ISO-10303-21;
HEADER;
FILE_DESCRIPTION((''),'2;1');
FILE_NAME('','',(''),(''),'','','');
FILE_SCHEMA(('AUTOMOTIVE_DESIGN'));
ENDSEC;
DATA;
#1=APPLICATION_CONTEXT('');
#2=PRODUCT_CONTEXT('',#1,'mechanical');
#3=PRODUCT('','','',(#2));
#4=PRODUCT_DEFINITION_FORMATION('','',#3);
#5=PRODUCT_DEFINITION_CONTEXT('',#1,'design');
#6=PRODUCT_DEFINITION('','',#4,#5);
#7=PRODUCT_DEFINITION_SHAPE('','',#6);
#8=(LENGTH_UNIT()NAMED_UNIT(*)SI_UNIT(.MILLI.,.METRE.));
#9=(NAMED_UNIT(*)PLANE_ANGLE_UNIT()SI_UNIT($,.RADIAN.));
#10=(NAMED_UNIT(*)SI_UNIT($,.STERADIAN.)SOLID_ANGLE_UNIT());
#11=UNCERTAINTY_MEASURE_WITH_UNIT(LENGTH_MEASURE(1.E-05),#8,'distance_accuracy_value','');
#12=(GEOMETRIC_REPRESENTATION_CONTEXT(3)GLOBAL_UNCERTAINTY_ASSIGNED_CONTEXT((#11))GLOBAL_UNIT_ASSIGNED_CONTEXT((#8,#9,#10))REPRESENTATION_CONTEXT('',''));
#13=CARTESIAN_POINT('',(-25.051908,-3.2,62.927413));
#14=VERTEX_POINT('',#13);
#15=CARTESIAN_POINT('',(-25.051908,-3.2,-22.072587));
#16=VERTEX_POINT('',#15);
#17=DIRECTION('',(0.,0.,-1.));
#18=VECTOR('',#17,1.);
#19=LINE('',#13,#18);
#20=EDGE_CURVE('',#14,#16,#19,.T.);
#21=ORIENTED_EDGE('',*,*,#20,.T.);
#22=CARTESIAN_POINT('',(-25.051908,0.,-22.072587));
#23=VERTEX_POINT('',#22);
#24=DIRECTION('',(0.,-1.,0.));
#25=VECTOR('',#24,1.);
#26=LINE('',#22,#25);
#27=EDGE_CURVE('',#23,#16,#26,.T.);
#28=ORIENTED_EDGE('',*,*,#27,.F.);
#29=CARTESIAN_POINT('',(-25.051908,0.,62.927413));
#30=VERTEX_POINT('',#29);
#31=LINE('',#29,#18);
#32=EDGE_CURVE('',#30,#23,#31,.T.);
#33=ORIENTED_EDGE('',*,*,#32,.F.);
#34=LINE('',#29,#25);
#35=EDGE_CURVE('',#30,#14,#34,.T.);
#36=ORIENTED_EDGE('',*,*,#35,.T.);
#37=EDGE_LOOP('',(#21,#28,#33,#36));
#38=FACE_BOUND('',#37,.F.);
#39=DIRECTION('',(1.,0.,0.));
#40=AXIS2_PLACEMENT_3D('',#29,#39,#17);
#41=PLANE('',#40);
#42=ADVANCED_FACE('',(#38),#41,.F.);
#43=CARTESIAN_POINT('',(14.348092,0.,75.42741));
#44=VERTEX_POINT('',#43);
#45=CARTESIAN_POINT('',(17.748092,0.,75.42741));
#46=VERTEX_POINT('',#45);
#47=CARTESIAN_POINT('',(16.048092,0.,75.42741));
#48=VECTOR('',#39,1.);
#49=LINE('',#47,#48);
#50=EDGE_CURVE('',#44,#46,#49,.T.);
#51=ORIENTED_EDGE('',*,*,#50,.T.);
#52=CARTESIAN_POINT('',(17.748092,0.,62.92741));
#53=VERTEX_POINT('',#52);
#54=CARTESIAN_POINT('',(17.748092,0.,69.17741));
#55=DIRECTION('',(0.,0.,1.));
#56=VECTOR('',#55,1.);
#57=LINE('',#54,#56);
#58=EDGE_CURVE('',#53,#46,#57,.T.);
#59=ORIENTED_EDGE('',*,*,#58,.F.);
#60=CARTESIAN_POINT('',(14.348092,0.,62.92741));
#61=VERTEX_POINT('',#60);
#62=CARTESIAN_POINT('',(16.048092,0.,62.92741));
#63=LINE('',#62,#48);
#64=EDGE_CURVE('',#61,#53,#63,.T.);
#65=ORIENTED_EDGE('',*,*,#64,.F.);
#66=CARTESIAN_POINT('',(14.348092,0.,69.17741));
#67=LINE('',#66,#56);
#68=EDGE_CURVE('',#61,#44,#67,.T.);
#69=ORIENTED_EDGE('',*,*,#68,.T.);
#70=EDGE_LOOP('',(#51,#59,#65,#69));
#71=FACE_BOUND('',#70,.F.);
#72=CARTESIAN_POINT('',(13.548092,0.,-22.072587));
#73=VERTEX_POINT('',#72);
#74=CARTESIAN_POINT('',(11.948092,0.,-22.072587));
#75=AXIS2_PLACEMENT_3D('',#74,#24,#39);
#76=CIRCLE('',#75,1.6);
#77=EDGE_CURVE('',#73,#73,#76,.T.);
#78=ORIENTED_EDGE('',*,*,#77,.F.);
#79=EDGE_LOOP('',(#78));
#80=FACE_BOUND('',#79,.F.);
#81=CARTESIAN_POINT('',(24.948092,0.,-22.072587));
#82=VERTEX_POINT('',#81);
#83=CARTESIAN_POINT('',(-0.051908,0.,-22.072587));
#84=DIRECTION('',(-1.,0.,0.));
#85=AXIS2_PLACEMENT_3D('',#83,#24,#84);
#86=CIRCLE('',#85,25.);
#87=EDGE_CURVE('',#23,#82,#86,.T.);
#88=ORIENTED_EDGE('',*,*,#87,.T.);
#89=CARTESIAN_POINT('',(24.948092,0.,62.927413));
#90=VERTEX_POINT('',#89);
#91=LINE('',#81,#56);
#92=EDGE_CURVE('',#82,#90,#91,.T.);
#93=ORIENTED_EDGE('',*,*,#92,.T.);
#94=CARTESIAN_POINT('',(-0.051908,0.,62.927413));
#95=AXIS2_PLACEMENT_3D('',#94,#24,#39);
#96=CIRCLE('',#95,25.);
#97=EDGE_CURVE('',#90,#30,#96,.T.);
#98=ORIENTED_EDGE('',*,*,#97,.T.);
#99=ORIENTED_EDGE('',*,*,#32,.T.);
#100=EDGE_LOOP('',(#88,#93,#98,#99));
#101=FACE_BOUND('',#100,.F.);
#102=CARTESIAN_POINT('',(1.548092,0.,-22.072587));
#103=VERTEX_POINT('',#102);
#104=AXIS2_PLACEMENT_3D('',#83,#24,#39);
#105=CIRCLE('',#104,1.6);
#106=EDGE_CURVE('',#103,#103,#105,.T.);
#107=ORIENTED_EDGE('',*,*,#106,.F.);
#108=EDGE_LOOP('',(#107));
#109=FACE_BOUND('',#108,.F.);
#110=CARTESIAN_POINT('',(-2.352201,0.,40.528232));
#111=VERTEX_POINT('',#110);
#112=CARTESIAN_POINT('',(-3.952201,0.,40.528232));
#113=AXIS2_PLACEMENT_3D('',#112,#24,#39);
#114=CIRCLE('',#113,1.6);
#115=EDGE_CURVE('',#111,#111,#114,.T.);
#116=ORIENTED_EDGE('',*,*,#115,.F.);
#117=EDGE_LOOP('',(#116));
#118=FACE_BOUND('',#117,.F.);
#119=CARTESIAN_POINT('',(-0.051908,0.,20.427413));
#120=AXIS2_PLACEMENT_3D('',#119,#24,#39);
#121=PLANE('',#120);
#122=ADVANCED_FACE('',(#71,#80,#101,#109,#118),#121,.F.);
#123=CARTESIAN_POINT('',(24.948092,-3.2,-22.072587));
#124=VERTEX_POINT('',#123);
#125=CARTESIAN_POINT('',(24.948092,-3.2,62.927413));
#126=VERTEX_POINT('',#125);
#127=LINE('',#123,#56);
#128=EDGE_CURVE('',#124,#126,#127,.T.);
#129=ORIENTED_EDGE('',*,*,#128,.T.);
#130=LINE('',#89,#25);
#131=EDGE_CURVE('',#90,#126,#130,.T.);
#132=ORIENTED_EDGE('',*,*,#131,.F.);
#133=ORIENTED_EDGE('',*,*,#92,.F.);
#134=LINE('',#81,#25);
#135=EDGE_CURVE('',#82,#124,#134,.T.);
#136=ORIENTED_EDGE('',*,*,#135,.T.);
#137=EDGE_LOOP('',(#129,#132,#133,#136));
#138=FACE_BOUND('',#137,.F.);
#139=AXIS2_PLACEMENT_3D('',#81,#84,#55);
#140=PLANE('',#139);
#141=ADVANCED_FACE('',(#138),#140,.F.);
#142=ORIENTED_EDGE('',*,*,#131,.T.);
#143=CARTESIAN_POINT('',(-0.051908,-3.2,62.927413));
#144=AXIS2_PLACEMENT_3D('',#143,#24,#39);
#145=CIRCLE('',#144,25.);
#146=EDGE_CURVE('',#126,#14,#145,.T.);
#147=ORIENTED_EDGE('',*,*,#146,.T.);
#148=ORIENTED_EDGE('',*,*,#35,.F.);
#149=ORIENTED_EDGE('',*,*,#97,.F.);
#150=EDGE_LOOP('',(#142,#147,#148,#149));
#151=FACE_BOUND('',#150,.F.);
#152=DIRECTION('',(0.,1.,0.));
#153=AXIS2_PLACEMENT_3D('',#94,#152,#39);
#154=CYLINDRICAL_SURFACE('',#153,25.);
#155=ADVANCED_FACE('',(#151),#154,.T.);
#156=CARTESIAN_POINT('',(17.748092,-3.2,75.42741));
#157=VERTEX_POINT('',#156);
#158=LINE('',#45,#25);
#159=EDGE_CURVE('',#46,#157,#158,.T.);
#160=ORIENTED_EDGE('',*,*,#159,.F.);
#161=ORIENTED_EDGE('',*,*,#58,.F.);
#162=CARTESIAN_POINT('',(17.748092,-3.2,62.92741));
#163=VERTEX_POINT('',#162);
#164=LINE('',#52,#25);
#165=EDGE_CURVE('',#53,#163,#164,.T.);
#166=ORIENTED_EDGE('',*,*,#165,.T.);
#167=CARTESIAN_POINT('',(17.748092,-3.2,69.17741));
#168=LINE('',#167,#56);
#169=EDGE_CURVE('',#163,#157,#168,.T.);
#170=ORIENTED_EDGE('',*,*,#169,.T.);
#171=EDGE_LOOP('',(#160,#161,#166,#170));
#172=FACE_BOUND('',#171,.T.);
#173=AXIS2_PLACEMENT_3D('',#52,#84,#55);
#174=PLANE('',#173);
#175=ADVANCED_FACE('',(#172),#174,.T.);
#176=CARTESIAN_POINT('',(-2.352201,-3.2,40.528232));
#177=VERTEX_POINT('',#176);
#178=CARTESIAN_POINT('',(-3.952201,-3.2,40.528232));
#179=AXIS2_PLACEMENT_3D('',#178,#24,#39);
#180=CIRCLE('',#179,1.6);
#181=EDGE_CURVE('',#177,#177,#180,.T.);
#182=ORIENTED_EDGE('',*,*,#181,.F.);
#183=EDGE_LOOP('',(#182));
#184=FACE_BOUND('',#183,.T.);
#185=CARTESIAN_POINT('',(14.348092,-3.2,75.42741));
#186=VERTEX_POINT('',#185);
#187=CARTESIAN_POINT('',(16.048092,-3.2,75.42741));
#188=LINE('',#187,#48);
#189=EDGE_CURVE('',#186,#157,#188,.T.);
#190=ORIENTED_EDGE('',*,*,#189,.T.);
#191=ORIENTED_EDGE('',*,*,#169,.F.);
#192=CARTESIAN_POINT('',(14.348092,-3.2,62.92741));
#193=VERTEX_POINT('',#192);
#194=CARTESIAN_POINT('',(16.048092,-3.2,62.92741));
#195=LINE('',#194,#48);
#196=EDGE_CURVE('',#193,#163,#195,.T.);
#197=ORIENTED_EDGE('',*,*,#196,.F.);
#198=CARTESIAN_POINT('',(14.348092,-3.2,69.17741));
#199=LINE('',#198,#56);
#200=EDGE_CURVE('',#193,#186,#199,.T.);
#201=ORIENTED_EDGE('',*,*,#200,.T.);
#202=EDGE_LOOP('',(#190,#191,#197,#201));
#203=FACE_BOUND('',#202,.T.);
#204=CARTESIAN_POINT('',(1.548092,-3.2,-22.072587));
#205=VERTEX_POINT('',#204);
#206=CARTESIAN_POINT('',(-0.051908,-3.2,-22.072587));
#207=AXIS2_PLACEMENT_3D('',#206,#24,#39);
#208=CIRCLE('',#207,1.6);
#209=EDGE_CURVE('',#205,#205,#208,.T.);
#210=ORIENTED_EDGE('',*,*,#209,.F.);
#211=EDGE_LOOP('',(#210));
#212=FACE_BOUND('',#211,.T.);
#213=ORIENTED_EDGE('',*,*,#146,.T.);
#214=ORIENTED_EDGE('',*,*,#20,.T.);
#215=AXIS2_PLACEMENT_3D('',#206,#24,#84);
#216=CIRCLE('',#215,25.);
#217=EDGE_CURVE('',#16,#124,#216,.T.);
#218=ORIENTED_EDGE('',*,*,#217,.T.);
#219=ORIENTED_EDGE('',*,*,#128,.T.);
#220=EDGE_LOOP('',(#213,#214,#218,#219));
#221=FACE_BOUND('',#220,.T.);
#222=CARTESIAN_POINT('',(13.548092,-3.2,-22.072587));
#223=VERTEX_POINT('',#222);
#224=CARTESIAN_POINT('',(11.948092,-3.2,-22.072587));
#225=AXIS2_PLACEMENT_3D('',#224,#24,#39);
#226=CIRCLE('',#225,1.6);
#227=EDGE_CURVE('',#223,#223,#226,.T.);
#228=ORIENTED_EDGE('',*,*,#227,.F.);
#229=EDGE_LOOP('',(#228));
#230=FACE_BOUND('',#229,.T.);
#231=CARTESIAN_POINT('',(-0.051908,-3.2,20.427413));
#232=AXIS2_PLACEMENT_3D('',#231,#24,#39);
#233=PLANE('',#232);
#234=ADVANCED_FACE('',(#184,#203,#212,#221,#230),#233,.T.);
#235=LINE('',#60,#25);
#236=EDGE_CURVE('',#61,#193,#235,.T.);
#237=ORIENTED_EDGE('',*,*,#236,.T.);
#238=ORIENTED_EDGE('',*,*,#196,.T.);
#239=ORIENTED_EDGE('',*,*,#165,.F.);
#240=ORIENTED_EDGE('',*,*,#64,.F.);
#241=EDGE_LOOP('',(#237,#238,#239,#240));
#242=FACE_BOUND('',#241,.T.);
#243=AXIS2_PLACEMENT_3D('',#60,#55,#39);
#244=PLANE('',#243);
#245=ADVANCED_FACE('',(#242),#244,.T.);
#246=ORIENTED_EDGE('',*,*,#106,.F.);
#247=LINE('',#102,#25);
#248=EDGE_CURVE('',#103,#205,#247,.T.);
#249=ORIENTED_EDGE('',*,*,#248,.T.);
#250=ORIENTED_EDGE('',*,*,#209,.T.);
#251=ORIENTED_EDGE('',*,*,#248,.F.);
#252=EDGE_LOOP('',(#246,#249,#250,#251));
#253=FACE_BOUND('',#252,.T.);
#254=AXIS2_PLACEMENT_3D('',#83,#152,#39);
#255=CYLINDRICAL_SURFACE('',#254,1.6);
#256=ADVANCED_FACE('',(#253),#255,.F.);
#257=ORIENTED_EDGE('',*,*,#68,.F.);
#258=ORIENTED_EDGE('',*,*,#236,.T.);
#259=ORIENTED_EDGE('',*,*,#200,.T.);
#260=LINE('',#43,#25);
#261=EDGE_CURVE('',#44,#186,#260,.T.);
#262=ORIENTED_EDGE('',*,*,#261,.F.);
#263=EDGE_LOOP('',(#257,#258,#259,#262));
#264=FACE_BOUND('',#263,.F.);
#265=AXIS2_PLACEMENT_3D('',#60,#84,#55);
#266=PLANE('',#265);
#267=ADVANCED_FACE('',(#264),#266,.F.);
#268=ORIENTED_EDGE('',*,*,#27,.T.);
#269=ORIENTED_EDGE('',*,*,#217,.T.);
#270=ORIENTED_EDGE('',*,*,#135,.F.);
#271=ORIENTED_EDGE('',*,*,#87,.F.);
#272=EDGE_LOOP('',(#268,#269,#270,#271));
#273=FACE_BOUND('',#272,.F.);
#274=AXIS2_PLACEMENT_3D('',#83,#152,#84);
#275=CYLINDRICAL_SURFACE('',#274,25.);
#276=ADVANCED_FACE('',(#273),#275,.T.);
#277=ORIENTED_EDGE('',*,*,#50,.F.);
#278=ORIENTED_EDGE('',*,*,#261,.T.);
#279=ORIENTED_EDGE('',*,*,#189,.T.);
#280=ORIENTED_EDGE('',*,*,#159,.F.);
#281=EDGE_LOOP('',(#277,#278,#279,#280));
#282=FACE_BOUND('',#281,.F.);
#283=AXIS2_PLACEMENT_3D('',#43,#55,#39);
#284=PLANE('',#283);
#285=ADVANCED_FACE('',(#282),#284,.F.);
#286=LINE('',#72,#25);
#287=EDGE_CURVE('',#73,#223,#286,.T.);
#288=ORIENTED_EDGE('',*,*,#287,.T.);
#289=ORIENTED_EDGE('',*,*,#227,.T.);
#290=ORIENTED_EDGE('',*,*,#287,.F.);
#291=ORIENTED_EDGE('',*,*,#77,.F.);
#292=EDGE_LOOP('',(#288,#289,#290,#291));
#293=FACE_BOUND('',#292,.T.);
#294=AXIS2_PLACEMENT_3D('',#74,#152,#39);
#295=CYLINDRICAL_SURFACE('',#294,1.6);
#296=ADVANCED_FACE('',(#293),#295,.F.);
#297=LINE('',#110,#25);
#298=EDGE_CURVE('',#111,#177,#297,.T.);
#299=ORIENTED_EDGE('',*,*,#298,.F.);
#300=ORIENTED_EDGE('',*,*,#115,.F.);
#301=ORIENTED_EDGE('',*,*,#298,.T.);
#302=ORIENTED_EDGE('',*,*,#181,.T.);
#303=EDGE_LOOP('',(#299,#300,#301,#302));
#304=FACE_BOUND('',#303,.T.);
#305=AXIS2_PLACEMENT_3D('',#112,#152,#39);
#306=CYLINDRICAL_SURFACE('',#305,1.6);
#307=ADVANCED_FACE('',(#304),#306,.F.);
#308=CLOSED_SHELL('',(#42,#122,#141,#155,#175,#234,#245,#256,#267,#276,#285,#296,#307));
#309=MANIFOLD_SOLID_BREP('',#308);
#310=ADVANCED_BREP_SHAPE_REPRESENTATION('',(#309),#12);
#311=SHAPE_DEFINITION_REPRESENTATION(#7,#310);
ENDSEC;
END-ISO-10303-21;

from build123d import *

# Parameters (mm, degrees)
F0_R     = 1.6
F0_W     = 3.4
F0_H     = 12.5
F1_DEPTH = 3.2


with BuildPart() as f1:
    # F0 (on Front) → F1 (new body)
    with BuildSketch(Plane.XZ):
        with BuildLine():
            Line((-25.051908, 62.927413), (-25.051908, -22.072587))
            ThreePointArc((-25.051908, -22.072587), (-0.051908, -47.072587), (24.948092, -22.072587))
            Line((24.948092, -22.072587), (24.948092, 62.927413))
            ThreePointArc((24.948092, 62.927413), (-0.051908, 87.927413), (-25.051908, 62.927413))
        make_face()
        with Locations((-0.051908, -22.072587)):
            Circle(F0_R, mode=Mode.SUBTRACT)
        with Locations((11.948092, -22.072587)):
            Circle(F0_R, mode=Mode.SUBTRACT)
        with Locations((-3.952201, 40.528232)):
            Circle(F0_R, mode=Mode.SUBTRACT)
        with Locations((16.048092, 69.17741)):
            Rectangle(F0_W, F0_H, mode=Mode.SUBTRACT)
    extrude(amount=F1_DEPTH)


solid = f1.part
